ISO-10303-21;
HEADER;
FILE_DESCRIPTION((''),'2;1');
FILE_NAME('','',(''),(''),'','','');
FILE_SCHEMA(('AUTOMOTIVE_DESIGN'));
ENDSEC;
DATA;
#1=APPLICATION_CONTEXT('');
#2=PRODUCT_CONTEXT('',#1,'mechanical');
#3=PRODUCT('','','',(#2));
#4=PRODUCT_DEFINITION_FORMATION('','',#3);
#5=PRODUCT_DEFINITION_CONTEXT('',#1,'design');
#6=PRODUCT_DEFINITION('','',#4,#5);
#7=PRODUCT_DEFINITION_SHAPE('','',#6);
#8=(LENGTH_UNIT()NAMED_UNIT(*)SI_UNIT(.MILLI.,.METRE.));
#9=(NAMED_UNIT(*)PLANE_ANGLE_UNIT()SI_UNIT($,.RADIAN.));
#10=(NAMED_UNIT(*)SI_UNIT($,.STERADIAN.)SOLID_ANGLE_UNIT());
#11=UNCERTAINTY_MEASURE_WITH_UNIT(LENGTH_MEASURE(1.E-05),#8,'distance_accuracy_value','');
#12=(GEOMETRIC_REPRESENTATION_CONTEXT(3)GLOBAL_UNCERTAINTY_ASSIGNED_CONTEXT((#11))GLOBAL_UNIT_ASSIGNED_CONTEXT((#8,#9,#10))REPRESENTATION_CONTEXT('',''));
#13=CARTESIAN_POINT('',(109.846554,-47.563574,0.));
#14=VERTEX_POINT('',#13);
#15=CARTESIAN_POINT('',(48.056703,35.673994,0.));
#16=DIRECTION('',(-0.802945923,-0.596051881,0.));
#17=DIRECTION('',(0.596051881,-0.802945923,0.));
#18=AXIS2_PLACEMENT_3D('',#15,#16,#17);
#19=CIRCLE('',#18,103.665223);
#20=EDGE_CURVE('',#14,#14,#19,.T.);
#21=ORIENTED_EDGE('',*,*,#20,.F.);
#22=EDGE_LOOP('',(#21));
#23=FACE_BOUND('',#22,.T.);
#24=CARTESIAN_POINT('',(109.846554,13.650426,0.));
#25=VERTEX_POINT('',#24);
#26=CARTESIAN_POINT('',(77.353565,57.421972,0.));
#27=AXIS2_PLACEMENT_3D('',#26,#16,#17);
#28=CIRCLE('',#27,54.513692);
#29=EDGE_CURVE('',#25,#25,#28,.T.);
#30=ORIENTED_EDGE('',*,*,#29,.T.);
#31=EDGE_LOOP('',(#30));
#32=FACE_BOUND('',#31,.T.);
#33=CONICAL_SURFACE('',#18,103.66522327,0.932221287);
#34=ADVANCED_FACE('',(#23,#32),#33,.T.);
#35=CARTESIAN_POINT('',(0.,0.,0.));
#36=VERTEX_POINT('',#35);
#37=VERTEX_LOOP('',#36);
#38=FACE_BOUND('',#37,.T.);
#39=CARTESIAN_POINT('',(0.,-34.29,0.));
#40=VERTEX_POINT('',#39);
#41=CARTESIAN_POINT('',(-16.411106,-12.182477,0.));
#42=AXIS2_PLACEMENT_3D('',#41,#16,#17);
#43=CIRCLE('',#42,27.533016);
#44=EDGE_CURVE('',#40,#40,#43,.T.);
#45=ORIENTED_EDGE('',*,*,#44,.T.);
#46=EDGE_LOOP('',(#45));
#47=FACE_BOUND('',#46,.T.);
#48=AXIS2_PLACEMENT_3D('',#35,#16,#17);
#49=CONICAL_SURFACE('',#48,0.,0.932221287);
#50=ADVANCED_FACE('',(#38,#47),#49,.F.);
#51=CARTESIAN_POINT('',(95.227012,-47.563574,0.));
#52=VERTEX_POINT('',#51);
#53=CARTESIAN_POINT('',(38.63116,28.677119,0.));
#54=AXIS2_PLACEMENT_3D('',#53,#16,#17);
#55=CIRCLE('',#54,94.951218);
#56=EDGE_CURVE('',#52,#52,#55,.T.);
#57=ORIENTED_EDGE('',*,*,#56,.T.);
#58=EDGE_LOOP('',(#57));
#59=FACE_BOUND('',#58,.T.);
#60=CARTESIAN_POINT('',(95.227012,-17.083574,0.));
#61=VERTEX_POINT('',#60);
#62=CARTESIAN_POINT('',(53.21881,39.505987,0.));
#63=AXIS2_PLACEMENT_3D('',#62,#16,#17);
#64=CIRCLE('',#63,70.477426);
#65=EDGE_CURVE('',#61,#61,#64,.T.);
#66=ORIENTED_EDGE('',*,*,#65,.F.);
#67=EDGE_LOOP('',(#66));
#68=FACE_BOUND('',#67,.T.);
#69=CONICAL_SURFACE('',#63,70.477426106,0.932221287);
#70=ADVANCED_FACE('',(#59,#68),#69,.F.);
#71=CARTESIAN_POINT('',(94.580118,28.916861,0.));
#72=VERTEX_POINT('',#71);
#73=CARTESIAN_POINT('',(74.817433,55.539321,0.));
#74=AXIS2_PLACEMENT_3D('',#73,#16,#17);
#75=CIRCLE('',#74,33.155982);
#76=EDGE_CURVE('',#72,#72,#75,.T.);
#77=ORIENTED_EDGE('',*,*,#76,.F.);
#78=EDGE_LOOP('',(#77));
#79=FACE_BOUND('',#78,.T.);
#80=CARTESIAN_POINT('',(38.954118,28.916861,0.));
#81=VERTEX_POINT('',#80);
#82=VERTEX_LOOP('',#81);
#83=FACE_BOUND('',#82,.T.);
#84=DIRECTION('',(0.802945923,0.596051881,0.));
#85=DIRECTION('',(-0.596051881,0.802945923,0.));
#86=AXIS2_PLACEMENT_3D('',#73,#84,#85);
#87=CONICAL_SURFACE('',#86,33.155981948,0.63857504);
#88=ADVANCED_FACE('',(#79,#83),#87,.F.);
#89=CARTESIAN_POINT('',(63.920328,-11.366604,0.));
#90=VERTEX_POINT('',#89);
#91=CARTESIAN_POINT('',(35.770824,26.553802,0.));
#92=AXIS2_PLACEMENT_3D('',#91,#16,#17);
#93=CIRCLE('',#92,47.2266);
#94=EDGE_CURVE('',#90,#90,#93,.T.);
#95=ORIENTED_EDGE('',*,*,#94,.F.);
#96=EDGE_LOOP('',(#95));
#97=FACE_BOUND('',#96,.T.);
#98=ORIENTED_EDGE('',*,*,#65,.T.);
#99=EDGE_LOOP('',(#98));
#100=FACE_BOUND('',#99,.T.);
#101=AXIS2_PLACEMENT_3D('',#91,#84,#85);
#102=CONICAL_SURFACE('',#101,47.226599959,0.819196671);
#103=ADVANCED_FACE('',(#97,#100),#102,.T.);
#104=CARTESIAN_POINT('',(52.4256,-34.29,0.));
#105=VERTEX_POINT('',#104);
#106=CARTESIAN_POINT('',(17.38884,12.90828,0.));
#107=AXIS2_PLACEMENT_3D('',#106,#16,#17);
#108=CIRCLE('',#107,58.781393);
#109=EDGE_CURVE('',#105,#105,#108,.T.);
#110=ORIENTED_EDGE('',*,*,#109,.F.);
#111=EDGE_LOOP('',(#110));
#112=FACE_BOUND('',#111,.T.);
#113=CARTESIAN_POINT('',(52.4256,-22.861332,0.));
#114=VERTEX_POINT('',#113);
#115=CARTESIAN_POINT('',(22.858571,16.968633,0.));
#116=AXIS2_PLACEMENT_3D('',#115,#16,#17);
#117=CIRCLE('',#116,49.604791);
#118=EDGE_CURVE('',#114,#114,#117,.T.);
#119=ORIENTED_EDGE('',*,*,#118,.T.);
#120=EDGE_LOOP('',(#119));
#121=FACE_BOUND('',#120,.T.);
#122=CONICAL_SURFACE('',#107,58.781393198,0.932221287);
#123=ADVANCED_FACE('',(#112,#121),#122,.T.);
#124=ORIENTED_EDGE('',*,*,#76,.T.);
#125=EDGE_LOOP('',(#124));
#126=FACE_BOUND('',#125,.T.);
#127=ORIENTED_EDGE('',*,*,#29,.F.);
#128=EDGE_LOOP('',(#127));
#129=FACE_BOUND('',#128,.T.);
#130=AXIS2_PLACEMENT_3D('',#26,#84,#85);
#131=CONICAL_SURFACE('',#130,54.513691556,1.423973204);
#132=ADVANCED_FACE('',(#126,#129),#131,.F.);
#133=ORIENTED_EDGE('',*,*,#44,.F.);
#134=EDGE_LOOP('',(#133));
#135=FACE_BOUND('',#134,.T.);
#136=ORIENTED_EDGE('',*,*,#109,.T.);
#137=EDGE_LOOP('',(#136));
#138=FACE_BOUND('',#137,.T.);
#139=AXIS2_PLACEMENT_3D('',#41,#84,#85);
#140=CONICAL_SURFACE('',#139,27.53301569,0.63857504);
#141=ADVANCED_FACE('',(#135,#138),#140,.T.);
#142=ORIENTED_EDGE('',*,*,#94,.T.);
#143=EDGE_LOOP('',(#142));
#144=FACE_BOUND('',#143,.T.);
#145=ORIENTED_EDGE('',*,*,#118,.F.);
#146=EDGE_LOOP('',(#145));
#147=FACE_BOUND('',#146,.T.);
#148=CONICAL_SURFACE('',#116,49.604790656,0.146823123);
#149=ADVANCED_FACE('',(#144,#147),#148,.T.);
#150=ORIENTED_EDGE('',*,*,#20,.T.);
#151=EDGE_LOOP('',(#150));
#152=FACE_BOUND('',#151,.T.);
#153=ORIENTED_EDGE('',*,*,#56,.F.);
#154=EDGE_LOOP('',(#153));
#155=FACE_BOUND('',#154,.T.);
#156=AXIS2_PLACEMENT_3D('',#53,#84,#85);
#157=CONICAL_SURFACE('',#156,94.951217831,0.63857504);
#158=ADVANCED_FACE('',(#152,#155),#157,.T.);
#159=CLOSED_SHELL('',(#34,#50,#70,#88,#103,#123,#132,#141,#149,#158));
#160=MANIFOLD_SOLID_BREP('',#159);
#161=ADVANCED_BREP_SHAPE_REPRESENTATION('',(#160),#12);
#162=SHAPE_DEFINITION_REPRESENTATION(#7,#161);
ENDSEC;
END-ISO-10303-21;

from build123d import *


with BuildPart() as part:
    # Sketch1 → Revolve1 (revolve)
    with BuildSketch(Plane.XY):
        Polygon((0, 0), (38.954118495, 28.916860969), (94.580118495, 28.916860969), (109.846553901, 13.650425563), (109.846553901, -47.563574437), (95.227012024, -47.563574437), (95.227012024, -17.083574437), (63.920327835, -11.366603955), (52.4256, -22.86133179), (52.4256, -34.29), (0, -34.29), align=None)
    revolve(axis=Axis((0, 0, 0), (0.8029459227225657, 0.5960518812848489, 0)))


solid = part.part
